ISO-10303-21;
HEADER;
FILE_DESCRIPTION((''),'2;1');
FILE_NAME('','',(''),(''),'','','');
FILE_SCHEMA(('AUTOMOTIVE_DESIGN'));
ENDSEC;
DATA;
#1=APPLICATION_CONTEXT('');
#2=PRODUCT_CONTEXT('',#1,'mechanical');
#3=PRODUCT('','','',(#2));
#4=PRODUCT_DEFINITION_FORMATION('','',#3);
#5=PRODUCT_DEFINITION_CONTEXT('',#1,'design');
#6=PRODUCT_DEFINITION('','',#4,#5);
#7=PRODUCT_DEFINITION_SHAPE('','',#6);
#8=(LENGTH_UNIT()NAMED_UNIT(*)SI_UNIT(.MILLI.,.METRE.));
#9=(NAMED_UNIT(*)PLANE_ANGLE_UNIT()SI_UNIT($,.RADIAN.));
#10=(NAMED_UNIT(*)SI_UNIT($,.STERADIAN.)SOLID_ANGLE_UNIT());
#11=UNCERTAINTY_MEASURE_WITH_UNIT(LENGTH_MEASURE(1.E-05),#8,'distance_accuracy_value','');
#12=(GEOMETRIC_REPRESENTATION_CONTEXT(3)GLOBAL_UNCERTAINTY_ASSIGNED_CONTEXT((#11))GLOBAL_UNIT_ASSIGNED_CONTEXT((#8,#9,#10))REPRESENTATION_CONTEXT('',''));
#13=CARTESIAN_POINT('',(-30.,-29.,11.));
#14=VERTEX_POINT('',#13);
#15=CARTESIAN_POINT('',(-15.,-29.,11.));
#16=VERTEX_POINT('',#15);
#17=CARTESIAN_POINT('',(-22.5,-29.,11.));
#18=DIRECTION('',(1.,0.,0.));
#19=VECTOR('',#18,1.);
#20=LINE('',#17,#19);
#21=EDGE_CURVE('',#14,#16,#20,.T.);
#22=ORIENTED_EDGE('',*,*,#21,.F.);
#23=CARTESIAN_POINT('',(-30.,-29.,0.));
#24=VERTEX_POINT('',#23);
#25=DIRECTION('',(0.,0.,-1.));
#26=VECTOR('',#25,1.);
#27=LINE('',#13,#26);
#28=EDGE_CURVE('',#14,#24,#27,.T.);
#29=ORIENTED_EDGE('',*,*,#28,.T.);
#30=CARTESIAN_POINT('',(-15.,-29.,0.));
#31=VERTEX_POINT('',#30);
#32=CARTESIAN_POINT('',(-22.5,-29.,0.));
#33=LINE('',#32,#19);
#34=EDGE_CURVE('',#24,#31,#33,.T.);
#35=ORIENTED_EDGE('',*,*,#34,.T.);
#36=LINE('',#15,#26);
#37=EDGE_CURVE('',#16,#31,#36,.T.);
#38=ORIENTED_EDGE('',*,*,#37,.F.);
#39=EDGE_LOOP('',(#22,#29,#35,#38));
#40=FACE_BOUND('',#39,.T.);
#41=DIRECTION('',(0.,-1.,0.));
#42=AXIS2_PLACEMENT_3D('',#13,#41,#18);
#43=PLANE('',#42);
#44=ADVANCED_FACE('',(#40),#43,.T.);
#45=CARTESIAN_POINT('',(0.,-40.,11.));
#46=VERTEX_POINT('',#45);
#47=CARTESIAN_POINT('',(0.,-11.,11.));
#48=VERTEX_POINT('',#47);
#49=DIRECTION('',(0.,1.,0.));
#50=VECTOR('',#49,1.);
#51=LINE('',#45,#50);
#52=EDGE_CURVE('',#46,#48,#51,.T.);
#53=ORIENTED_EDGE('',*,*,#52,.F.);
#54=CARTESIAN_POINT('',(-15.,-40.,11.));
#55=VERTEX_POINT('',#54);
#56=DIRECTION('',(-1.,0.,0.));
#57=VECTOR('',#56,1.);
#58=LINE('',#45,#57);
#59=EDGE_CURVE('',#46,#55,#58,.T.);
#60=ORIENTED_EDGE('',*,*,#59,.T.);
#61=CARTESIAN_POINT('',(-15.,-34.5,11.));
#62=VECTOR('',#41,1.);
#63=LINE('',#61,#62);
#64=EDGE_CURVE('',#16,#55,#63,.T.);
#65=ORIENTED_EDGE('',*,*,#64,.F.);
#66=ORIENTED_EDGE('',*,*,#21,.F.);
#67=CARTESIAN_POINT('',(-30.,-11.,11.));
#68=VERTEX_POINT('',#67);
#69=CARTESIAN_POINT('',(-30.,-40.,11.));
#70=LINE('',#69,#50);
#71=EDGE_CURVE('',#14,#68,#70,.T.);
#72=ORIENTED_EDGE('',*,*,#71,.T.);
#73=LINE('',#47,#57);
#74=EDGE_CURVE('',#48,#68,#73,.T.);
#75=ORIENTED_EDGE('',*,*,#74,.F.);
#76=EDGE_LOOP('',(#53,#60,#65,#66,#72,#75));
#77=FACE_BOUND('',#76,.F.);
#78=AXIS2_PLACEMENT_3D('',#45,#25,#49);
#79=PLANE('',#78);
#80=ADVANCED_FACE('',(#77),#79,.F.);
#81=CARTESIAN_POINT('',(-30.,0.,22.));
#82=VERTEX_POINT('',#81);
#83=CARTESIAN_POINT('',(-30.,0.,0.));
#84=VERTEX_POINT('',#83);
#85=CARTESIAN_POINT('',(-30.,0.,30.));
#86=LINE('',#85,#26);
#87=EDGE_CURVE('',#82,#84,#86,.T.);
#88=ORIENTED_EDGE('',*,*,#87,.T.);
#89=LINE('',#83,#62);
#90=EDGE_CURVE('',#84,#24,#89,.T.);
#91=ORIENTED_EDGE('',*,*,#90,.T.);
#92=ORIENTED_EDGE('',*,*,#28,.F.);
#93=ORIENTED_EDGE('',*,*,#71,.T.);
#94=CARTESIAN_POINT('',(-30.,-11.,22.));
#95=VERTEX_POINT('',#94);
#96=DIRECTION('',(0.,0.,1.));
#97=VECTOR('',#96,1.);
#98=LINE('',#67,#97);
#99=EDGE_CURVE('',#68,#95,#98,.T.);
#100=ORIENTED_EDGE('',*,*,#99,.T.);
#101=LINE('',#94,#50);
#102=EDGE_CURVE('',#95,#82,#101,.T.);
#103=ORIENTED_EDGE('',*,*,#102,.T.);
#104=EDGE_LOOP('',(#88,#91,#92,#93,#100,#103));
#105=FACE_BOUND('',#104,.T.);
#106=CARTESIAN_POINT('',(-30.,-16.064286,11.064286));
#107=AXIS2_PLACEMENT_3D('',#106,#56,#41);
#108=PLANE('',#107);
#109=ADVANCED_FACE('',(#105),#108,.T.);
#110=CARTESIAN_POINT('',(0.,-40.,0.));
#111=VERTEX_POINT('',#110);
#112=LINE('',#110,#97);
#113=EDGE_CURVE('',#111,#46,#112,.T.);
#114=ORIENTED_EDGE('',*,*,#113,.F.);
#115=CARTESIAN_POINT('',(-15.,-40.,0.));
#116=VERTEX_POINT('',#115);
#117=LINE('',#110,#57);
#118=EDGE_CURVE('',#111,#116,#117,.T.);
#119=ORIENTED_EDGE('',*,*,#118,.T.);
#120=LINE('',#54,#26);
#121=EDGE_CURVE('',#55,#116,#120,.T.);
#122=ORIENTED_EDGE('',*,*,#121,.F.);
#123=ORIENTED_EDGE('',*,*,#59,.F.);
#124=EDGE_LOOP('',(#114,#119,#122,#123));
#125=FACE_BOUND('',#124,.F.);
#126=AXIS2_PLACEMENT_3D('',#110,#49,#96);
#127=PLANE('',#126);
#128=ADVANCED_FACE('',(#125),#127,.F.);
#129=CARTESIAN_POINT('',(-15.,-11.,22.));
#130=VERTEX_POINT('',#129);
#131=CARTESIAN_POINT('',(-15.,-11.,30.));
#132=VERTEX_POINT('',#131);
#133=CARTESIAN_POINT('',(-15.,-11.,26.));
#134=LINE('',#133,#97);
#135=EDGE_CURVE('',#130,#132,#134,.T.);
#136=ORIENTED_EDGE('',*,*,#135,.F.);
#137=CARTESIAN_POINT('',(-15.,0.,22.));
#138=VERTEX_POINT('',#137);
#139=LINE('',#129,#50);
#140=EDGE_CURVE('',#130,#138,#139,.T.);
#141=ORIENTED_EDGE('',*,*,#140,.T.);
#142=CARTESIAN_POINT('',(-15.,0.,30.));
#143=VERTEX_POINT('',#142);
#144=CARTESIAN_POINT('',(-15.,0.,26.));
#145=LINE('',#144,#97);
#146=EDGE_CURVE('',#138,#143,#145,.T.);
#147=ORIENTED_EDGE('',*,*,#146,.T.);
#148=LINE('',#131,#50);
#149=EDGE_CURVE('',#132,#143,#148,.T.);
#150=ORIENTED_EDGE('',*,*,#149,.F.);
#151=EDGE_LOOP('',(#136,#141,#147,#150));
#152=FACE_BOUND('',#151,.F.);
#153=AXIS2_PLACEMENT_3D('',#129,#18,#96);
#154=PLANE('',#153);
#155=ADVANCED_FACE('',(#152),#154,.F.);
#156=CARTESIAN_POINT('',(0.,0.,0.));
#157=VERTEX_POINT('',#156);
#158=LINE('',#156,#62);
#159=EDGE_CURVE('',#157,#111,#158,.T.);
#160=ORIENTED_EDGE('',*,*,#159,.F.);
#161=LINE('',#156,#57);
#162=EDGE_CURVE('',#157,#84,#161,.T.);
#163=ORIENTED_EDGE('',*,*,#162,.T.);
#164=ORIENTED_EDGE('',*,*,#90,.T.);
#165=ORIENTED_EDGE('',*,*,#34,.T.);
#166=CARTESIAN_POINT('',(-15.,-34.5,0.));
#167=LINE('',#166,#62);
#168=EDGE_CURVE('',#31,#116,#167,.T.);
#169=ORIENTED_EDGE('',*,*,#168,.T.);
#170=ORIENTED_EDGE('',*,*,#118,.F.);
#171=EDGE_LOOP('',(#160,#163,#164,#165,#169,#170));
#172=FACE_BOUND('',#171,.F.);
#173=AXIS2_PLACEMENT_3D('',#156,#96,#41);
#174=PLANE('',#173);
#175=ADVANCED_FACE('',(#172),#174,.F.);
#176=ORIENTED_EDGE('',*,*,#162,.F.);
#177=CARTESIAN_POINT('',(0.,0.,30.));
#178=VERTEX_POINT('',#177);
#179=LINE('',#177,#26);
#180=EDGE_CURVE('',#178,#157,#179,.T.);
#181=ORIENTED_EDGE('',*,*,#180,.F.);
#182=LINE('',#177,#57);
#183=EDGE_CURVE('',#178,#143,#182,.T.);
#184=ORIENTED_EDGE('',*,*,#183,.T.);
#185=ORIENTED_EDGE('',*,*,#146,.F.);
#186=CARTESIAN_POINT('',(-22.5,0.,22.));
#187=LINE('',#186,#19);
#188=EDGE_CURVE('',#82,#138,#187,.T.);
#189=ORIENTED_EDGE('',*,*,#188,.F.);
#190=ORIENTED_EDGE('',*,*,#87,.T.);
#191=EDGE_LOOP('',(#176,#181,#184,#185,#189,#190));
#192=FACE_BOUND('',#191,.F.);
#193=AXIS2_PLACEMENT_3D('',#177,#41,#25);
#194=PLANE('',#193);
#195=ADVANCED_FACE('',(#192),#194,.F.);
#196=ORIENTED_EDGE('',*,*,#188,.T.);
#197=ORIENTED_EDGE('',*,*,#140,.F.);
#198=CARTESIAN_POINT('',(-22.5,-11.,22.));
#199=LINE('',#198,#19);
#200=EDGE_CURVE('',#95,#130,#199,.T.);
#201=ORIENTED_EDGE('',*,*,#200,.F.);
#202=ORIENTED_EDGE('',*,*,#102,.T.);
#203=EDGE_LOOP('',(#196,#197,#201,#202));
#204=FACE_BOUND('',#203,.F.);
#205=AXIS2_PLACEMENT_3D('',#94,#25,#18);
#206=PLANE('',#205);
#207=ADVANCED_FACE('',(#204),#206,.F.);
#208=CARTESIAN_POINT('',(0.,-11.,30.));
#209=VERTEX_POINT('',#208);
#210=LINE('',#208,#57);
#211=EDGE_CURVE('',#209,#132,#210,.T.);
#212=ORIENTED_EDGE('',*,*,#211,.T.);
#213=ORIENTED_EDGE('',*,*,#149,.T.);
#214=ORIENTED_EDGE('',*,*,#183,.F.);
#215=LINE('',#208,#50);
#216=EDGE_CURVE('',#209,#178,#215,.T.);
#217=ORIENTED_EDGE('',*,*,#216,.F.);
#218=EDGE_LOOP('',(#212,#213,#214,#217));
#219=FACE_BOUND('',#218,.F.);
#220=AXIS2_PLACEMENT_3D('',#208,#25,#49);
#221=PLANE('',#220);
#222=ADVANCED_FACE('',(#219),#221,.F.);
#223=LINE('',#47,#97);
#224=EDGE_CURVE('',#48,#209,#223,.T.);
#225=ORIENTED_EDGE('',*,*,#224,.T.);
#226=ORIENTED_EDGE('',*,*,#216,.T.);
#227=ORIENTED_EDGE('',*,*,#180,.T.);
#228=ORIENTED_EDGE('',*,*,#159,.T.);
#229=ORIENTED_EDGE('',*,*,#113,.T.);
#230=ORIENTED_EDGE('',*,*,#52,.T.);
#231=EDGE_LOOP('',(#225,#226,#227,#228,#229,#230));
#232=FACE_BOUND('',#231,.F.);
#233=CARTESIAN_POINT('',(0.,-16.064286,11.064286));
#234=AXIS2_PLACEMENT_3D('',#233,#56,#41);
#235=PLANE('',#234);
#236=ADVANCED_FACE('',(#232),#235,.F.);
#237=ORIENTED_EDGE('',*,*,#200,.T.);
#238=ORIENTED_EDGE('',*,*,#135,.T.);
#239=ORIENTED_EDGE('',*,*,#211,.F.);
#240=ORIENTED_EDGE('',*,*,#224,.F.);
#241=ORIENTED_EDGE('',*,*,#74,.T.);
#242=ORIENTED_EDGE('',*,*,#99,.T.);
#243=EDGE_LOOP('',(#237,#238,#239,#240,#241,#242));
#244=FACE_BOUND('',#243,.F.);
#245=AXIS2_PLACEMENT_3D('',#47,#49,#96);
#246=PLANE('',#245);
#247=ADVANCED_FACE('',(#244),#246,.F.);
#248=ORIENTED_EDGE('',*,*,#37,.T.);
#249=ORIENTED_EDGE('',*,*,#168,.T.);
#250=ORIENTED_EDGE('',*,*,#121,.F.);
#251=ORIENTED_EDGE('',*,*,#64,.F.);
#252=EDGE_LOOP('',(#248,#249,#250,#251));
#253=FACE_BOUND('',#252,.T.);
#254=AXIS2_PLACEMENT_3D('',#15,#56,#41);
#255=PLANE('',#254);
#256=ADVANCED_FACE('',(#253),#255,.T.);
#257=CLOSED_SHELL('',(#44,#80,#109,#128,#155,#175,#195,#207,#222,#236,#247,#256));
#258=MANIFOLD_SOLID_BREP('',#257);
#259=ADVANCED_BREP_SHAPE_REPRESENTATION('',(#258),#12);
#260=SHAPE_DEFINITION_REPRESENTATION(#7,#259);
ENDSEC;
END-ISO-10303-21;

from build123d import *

# Parameters (mm, degrees)
F1_DEPTH = 30
F2_W     = 11
F2_H     = 15
F3_DEPTH = 11
F4_W     = 15
F4_H     = 8
F5_DEPTH = 11
F6_ANGLE = -90


with BuildPart() as f1:
    # F0 (on Front) → F1 (new body)
    with BuildSketch(Plane.XZ):
        Polygon((0, 30), (0, 0), (40, 0), (40, 11), (11, 11), (11, 30), align=None)
    extrude(amount=F1_DEPTH)

    # F2 (on face) → F3 (cut, through all)
    with BuildSketch(Plane.XY.offset(11)):
        with Locations((34.5, -22.5)):
            Rectangle(F2_W, F2_H)
    extrude(amount=-F3_DEPTH, mode=Mode.SUBTRACT)

    # F4 (on face) → F5 (cut, through all)
    with BuildSketch(Plane.YZ.offset(11)):
        with Locations((-22.5, 26)):
            Rectangle(F4_W, F4_H)
    extrude(amount=-F5_DEPTH, mode=Mode.SUBTRACT)


with BuildPart() as f1_1:
    # F6: moved
    add(f1.part.rotate(Axis((0, 0, 15), (0, 0, 1)), F6_ANGLE))


solid = f1_1.part
